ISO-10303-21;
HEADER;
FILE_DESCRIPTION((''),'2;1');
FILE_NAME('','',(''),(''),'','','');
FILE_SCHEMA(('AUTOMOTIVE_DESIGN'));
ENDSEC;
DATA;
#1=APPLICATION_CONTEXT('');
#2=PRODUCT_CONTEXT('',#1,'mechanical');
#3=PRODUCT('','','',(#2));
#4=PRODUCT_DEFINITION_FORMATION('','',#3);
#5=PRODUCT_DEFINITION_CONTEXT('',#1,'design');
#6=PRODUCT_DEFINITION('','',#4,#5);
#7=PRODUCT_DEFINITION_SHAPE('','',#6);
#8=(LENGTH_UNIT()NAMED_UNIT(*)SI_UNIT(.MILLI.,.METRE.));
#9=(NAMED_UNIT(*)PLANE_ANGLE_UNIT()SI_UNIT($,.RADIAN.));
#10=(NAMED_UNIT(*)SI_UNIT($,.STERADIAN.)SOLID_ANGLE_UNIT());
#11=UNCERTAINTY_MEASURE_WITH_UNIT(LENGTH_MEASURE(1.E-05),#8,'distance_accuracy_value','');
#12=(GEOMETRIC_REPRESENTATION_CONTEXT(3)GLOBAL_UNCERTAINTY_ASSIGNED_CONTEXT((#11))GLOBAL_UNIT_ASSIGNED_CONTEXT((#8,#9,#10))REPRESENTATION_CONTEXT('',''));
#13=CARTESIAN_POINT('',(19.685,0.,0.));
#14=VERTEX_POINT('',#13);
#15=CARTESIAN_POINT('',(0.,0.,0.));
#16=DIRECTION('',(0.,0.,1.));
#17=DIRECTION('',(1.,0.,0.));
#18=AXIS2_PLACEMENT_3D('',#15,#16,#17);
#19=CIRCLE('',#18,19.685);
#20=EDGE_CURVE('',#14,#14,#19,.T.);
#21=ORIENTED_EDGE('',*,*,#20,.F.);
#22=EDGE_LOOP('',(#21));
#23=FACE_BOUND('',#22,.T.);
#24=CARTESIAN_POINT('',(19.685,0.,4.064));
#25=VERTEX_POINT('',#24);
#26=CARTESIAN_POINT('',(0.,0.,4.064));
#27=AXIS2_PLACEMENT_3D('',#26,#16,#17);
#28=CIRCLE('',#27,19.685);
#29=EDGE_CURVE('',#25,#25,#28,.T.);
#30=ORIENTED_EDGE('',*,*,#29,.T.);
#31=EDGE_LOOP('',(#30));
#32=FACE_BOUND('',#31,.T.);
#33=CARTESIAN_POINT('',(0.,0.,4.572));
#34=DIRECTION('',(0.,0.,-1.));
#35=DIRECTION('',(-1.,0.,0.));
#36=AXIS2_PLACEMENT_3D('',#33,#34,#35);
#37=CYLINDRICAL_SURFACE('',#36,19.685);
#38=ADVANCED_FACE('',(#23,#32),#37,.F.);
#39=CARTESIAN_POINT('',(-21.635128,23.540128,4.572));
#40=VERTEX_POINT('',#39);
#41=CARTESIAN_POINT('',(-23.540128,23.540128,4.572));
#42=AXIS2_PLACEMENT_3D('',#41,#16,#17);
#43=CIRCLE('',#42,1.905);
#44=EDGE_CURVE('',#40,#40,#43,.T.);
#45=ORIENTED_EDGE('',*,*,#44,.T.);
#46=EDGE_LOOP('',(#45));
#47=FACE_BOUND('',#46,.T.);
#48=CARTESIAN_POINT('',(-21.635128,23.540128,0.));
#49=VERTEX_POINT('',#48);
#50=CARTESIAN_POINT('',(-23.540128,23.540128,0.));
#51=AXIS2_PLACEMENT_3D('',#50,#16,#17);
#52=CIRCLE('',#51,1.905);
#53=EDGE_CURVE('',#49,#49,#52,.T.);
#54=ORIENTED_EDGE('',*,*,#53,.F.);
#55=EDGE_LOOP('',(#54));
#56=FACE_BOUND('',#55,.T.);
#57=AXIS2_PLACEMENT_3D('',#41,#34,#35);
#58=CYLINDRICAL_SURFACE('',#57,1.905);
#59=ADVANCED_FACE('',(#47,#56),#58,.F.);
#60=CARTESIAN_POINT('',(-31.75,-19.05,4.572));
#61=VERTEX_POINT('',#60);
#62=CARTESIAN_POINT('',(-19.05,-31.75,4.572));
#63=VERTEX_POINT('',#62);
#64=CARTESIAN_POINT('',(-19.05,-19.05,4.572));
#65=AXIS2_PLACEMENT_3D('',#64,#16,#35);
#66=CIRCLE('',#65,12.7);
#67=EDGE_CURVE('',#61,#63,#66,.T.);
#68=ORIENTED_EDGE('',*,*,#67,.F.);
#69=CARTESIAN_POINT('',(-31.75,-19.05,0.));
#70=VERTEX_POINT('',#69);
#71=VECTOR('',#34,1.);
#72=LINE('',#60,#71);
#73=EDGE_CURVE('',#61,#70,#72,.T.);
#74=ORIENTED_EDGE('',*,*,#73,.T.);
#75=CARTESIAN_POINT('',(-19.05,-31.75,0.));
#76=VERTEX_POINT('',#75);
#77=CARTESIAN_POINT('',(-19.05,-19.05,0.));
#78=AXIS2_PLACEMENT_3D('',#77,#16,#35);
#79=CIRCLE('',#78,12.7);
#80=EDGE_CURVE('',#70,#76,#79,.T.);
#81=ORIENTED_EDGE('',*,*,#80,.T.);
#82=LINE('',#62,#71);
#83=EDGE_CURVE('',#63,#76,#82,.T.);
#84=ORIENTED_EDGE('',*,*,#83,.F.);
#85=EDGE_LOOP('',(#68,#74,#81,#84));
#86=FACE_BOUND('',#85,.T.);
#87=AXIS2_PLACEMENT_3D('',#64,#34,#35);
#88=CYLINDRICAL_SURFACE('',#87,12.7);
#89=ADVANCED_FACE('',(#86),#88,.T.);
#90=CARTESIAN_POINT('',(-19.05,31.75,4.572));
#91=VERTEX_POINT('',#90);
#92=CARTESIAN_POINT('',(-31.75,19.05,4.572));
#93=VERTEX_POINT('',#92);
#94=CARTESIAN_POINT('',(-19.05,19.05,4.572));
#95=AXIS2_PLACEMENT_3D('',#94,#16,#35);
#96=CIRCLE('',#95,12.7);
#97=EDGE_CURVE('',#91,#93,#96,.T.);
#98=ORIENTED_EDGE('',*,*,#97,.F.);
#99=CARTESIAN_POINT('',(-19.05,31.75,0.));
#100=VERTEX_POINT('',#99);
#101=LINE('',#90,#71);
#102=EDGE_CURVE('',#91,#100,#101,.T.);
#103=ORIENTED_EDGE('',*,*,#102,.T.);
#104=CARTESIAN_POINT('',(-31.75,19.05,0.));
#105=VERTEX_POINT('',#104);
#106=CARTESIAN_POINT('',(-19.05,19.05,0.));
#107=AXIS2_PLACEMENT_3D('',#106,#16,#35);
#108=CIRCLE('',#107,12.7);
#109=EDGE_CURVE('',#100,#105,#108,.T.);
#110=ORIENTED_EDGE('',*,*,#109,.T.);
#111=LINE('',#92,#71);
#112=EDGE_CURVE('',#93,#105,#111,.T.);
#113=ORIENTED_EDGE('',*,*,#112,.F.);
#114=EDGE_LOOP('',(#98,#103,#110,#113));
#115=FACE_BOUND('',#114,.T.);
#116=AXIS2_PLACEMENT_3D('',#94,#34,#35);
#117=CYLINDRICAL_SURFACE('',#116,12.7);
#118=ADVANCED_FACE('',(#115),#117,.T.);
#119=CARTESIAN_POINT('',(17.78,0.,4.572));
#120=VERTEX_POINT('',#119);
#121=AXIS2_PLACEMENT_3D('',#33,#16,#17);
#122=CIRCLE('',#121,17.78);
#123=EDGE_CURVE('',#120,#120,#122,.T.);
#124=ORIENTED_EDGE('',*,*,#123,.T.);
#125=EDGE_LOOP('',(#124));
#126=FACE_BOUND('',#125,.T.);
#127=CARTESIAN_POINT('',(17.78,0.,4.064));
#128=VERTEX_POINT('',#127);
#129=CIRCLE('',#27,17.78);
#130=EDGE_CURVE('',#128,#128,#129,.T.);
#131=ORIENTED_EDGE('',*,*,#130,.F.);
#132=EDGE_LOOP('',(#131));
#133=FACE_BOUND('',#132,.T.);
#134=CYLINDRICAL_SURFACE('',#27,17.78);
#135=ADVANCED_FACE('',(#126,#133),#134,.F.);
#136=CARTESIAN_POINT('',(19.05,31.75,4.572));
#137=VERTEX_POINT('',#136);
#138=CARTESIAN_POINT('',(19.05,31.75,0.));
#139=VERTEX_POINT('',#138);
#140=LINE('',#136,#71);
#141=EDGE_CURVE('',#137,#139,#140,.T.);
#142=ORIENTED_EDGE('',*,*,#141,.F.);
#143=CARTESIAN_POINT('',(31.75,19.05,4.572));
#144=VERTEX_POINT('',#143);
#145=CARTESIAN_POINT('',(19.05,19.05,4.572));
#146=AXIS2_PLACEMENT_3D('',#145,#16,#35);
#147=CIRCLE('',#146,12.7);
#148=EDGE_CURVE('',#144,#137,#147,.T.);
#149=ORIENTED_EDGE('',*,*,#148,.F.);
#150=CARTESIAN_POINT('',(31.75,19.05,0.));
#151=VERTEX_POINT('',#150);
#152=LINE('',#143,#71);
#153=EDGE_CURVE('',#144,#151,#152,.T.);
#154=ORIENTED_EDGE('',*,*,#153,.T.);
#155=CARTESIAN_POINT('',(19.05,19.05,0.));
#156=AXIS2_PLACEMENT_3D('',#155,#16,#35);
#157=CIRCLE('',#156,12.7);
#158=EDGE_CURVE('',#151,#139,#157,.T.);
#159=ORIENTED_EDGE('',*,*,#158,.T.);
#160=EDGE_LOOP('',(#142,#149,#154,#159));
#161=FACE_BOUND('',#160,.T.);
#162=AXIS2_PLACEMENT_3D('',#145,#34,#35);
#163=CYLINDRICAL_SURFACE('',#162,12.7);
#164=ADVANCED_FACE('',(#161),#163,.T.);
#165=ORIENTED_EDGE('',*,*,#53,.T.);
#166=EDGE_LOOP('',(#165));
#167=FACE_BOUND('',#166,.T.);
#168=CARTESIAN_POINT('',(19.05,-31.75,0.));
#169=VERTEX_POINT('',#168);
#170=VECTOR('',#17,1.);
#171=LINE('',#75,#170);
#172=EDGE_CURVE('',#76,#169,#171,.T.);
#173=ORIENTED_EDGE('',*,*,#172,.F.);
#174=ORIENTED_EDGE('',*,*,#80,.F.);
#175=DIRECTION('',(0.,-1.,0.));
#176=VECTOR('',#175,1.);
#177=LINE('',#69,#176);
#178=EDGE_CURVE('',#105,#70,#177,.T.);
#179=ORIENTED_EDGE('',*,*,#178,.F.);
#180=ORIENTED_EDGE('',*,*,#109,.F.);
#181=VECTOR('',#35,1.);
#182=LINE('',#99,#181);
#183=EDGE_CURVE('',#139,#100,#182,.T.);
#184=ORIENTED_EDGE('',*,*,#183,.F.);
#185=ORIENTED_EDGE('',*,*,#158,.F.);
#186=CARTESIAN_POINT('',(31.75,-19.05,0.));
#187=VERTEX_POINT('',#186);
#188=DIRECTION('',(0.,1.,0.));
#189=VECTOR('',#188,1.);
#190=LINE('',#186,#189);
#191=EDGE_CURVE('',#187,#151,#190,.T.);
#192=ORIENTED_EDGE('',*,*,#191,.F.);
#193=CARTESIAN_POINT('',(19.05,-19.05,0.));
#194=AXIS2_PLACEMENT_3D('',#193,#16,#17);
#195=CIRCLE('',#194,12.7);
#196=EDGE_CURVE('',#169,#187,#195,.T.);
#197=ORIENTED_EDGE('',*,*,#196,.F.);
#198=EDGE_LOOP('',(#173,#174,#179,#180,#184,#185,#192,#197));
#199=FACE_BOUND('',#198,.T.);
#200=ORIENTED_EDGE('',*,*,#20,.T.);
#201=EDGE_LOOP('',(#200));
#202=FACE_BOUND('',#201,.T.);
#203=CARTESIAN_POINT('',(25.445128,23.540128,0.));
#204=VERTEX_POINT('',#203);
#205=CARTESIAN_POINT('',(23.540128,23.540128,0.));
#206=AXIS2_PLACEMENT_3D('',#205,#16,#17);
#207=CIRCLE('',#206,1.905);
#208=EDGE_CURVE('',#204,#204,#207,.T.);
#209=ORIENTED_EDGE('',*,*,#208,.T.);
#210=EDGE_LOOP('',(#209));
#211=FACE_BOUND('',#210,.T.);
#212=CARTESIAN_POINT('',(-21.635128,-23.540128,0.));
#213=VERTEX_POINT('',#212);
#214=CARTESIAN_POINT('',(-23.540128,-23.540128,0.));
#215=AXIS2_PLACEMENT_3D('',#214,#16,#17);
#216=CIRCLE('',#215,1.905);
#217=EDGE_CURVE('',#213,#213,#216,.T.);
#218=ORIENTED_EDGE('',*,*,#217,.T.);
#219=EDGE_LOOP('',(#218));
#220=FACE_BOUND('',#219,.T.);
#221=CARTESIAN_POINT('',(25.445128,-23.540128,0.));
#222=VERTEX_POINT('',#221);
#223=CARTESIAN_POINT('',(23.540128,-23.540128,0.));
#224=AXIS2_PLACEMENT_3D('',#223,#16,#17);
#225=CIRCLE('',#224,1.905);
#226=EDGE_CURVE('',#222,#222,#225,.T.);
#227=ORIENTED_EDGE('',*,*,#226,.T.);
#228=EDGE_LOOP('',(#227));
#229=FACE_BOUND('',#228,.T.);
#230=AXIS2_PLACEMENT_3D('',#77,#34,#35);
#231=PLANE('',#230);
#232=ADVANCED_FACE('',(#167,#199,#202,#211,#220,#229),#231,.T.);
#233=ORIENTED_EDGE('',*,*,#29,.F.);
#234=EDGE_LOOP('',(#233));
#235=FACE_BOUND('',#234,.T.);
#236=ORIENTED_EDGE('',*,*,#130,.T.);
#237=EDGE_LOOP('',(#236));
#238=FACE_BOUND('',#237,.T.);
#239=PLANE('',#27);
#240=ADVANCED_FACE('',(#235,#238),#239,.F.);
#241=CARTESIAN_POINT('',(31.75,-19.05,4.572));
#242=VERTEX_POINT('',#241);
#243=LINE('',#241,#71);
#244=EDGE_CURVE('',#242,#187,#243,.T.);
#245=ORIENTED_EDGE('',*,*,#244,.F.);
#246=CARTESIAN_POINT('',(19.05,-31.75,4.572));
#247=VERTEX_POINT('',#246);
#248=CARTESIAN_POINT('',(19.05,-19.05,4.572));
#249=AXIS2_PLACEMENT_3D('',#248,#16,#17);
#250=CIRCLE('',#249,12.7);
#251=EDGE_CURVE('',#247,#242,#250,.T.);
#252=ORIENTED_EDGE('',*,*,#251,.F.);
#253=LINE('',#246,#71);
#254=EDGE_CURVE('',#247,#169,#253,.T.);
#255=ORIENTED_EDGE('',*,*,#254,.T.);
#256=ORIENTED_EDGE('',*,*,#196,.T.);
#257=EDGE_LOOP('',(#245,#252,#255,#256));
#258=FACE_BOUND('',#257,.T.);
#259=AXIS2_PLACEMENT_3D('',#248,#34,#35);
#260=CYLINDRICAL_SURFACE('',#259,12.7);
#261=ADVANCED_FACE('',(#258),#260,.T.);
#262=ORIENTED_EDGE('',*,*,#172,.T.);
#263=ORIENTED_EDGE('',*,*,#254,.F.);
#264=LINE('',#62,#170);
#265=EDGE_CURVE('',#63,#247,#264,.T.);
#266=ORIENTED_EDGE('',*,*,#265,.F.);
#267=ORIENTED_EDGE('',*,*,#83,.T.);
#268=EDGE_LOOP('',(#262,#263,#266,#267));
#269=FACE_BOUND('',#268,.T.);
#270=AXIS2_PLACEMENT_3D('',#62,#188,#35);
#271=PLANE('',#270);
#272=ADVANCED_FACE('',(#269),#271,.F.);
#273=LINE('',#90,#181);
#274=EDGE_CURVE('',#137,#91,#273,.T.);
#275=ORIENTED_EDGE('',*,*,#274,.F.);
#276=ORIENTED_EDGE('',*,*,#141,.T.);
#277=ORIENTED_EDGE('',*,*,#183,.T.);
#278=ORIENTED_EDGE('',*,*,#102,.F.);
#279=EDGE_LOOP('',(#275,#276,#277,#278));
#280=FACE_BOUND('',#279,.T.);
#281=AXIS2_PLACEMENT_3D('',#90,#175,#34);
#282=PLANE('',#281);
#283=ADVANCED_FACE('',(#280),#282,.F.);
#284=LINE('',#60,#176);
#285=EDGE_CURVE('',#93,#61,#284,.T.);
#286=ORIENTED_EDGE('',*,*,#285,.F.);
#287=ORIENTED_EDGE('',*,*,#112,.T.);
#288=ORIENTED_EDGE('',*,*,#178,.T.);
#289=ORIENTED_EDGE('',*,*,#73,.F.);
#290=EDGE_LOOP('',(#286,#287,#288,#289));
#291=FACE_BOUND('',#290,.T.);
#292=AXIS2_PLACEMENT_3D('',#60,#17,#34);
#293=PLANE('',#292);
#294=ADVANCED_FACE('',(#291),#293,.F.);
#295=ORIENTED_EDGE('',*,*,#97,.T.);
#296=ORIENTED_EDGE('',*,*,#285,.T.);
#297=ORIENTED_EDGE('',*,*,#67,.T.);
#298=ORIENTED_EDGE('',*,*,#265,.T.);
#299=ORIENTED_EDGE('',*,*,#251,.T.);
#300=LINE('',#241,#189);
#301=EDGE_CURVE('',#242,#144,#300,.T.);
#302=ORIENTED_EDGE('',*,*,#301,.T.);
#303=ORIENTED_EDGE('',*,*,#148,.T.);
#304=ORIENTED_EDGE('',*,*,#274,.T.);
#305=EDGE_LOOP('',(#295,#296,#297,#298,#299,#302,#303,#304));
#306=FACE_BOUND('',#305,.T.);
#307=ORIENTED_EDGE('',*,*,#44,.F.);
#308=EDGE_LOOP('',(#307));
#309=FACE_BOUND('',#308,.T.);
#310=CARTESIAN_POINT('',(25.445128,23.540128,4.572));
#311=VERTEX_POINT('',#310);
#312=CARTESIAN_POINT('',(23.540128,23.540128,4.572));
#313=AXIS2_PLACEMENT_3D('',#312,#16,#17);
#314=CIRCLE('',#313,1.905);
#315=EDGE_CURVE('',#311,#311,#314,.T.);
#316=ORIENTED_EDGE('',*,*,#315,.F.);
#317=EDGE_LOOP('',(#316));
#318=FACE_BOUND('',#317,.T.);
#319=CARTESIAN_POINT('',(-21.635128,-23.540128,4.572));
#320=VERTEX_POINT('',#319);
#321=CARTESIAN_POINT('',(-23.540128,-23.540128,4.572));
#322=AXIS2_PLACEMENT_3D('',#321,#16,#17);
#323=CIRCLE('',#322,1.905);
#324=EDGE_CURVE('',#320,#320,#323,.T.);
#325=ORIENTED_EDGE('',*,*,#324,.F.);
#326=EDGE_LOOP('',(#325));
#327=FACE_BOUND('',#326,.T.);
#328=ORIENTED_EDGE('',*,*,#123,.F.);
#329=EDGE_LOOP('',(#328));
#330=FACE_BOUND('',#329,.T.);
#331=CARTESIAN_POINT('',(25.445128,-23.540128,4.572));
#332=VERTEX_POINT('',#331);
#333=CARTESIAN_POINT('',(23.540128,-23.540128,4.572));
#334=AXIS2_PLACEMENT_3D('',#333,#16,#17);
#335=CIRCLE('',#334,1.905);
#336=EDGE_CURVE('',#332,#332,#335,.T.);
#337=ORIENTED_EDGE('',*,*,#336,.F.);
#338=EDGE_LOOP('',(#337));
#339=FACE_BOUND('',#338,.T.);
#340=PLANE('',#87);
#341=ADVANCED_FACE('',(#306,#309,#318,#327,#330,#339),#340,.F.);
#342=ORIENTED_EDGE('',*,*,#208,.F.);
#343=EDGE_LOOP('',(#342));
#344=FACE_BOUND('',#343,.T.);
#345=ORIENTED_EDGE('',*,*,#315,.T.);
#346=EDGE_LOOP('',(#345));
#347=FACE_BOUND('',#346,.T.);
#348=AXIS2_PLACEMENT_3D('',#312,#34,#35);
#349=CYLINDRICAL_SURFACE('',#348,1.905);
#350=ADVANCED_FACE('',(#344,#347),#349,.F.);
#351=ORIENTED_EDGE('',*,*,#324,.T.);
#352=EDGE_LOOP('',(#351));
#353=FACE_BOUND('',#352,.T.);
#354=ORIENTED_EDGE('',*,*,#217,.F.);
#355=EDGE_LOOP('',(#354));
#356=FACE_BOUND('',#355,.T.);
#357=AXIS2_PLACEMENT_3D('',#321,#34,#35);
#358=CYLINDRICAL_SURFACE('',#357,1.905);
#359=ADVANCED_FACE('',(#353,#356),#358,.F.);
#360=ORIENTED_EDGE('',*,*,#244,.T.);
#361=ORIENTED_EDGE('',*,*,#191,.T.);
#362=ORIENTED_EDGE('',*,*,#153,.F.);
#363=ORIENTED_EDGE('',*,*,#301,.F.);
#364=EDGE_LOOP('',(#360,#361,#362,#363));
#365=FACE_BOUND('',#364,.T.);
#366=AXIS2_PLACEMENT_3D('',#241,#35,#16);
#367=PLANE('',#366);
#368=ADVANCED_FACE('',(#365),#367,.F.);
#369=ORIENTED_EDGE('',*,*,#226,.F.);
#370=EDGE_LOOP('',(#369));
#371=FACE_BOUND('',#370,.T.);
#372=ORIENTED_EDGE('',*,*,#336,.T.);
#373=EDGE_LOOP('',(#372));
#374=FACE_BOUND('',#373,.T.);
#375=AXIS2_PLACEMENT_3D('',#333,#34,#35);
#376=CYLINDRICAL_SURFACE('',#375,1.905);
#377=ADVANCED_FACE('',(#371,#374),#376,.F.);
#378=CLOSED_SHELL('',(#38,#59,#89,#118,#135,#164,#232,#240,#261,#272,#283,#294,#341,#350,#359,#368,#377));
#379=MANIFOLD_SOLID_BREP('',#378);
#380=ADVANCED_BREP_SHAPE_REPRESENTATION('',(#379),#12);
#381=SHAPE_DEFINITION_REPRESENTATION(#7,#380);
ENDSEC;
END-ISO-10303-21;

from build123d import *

# Parameters (mm, degrees)
SKETCH1_R           = 19.685
SKETCH1_R_2         = 1.905
BOSS_EXTRUDE1_DEPTH = 4.572
SKETCH2_R           = 19.685
SKETCH2_R_2         = 17.78
BOSS_EXTRUDE2_DEPTH = 0.508


with BuildPart() as part:
    # Sketch1 → Boss-Extrude1 (new body)
    with BuildSketch(Plane.XY):
        with BuildLine():
            Line((-19.05, -31.75), (19.05, -31.75))
            ThreePointArc((19.05, -31.75), (28.030256121, -28.030256121), (31.75, -19.05))
            Line((31.75, -19.05), (31.75, 19.05))
            ThreePointArc((31.75, 19.05), (28.030256121, 28.030256121), (19.05, 31.75))
            Line((19.05, 31.75), (-19.05, 31.75))
            ThreePointArc((-19.05, 31.75), (-28.030256121, 28.030256121), (-31.75, 19.05))
            Line((-31.75, 19.05), (-31.75, -19.05))
            ThreePointArc((-31.75, -19.05), (-28.030256121, -28.030256121), (-19.05, -31.75))
        make_face()
        Circle(SKETCH1_R, mode=Mode.SUBTRACT)
        with Locations((-23.540128061, 23.540128061)):
            Circle(SKETCH1_R_2, mode=Mode.SUBTRACT)
        with Locations((23.540128061, 23.540128061)):
            Circle(SKETCH1_R_2, mode=Mode.SUBTRACT)
        with Locations((23.540128061, -23.540128061)):
            Circle(SKETCH1_R_2, mode=Mode.SUBTRACT)
        with Locations((-23.540128061, -23.540128061)):
            Circle(SKETCH1_R_2, mode=Mode.SUBTRACT)
    extrude(amount=BOSS_EXTRUDE1_DEPTH)

    # Sketch2 → Boss-Extrude2 (add)
    with BuildSketch(Plane.XY.offset(4.572)):
        Circle(SKETCH2_R)
        Circle(SKETCH2_R_2, mode=Mode.SUBTRACT)
    extrude(amount=-BOSS_EXTRUDE2_DEPTH)


solid = part.part
